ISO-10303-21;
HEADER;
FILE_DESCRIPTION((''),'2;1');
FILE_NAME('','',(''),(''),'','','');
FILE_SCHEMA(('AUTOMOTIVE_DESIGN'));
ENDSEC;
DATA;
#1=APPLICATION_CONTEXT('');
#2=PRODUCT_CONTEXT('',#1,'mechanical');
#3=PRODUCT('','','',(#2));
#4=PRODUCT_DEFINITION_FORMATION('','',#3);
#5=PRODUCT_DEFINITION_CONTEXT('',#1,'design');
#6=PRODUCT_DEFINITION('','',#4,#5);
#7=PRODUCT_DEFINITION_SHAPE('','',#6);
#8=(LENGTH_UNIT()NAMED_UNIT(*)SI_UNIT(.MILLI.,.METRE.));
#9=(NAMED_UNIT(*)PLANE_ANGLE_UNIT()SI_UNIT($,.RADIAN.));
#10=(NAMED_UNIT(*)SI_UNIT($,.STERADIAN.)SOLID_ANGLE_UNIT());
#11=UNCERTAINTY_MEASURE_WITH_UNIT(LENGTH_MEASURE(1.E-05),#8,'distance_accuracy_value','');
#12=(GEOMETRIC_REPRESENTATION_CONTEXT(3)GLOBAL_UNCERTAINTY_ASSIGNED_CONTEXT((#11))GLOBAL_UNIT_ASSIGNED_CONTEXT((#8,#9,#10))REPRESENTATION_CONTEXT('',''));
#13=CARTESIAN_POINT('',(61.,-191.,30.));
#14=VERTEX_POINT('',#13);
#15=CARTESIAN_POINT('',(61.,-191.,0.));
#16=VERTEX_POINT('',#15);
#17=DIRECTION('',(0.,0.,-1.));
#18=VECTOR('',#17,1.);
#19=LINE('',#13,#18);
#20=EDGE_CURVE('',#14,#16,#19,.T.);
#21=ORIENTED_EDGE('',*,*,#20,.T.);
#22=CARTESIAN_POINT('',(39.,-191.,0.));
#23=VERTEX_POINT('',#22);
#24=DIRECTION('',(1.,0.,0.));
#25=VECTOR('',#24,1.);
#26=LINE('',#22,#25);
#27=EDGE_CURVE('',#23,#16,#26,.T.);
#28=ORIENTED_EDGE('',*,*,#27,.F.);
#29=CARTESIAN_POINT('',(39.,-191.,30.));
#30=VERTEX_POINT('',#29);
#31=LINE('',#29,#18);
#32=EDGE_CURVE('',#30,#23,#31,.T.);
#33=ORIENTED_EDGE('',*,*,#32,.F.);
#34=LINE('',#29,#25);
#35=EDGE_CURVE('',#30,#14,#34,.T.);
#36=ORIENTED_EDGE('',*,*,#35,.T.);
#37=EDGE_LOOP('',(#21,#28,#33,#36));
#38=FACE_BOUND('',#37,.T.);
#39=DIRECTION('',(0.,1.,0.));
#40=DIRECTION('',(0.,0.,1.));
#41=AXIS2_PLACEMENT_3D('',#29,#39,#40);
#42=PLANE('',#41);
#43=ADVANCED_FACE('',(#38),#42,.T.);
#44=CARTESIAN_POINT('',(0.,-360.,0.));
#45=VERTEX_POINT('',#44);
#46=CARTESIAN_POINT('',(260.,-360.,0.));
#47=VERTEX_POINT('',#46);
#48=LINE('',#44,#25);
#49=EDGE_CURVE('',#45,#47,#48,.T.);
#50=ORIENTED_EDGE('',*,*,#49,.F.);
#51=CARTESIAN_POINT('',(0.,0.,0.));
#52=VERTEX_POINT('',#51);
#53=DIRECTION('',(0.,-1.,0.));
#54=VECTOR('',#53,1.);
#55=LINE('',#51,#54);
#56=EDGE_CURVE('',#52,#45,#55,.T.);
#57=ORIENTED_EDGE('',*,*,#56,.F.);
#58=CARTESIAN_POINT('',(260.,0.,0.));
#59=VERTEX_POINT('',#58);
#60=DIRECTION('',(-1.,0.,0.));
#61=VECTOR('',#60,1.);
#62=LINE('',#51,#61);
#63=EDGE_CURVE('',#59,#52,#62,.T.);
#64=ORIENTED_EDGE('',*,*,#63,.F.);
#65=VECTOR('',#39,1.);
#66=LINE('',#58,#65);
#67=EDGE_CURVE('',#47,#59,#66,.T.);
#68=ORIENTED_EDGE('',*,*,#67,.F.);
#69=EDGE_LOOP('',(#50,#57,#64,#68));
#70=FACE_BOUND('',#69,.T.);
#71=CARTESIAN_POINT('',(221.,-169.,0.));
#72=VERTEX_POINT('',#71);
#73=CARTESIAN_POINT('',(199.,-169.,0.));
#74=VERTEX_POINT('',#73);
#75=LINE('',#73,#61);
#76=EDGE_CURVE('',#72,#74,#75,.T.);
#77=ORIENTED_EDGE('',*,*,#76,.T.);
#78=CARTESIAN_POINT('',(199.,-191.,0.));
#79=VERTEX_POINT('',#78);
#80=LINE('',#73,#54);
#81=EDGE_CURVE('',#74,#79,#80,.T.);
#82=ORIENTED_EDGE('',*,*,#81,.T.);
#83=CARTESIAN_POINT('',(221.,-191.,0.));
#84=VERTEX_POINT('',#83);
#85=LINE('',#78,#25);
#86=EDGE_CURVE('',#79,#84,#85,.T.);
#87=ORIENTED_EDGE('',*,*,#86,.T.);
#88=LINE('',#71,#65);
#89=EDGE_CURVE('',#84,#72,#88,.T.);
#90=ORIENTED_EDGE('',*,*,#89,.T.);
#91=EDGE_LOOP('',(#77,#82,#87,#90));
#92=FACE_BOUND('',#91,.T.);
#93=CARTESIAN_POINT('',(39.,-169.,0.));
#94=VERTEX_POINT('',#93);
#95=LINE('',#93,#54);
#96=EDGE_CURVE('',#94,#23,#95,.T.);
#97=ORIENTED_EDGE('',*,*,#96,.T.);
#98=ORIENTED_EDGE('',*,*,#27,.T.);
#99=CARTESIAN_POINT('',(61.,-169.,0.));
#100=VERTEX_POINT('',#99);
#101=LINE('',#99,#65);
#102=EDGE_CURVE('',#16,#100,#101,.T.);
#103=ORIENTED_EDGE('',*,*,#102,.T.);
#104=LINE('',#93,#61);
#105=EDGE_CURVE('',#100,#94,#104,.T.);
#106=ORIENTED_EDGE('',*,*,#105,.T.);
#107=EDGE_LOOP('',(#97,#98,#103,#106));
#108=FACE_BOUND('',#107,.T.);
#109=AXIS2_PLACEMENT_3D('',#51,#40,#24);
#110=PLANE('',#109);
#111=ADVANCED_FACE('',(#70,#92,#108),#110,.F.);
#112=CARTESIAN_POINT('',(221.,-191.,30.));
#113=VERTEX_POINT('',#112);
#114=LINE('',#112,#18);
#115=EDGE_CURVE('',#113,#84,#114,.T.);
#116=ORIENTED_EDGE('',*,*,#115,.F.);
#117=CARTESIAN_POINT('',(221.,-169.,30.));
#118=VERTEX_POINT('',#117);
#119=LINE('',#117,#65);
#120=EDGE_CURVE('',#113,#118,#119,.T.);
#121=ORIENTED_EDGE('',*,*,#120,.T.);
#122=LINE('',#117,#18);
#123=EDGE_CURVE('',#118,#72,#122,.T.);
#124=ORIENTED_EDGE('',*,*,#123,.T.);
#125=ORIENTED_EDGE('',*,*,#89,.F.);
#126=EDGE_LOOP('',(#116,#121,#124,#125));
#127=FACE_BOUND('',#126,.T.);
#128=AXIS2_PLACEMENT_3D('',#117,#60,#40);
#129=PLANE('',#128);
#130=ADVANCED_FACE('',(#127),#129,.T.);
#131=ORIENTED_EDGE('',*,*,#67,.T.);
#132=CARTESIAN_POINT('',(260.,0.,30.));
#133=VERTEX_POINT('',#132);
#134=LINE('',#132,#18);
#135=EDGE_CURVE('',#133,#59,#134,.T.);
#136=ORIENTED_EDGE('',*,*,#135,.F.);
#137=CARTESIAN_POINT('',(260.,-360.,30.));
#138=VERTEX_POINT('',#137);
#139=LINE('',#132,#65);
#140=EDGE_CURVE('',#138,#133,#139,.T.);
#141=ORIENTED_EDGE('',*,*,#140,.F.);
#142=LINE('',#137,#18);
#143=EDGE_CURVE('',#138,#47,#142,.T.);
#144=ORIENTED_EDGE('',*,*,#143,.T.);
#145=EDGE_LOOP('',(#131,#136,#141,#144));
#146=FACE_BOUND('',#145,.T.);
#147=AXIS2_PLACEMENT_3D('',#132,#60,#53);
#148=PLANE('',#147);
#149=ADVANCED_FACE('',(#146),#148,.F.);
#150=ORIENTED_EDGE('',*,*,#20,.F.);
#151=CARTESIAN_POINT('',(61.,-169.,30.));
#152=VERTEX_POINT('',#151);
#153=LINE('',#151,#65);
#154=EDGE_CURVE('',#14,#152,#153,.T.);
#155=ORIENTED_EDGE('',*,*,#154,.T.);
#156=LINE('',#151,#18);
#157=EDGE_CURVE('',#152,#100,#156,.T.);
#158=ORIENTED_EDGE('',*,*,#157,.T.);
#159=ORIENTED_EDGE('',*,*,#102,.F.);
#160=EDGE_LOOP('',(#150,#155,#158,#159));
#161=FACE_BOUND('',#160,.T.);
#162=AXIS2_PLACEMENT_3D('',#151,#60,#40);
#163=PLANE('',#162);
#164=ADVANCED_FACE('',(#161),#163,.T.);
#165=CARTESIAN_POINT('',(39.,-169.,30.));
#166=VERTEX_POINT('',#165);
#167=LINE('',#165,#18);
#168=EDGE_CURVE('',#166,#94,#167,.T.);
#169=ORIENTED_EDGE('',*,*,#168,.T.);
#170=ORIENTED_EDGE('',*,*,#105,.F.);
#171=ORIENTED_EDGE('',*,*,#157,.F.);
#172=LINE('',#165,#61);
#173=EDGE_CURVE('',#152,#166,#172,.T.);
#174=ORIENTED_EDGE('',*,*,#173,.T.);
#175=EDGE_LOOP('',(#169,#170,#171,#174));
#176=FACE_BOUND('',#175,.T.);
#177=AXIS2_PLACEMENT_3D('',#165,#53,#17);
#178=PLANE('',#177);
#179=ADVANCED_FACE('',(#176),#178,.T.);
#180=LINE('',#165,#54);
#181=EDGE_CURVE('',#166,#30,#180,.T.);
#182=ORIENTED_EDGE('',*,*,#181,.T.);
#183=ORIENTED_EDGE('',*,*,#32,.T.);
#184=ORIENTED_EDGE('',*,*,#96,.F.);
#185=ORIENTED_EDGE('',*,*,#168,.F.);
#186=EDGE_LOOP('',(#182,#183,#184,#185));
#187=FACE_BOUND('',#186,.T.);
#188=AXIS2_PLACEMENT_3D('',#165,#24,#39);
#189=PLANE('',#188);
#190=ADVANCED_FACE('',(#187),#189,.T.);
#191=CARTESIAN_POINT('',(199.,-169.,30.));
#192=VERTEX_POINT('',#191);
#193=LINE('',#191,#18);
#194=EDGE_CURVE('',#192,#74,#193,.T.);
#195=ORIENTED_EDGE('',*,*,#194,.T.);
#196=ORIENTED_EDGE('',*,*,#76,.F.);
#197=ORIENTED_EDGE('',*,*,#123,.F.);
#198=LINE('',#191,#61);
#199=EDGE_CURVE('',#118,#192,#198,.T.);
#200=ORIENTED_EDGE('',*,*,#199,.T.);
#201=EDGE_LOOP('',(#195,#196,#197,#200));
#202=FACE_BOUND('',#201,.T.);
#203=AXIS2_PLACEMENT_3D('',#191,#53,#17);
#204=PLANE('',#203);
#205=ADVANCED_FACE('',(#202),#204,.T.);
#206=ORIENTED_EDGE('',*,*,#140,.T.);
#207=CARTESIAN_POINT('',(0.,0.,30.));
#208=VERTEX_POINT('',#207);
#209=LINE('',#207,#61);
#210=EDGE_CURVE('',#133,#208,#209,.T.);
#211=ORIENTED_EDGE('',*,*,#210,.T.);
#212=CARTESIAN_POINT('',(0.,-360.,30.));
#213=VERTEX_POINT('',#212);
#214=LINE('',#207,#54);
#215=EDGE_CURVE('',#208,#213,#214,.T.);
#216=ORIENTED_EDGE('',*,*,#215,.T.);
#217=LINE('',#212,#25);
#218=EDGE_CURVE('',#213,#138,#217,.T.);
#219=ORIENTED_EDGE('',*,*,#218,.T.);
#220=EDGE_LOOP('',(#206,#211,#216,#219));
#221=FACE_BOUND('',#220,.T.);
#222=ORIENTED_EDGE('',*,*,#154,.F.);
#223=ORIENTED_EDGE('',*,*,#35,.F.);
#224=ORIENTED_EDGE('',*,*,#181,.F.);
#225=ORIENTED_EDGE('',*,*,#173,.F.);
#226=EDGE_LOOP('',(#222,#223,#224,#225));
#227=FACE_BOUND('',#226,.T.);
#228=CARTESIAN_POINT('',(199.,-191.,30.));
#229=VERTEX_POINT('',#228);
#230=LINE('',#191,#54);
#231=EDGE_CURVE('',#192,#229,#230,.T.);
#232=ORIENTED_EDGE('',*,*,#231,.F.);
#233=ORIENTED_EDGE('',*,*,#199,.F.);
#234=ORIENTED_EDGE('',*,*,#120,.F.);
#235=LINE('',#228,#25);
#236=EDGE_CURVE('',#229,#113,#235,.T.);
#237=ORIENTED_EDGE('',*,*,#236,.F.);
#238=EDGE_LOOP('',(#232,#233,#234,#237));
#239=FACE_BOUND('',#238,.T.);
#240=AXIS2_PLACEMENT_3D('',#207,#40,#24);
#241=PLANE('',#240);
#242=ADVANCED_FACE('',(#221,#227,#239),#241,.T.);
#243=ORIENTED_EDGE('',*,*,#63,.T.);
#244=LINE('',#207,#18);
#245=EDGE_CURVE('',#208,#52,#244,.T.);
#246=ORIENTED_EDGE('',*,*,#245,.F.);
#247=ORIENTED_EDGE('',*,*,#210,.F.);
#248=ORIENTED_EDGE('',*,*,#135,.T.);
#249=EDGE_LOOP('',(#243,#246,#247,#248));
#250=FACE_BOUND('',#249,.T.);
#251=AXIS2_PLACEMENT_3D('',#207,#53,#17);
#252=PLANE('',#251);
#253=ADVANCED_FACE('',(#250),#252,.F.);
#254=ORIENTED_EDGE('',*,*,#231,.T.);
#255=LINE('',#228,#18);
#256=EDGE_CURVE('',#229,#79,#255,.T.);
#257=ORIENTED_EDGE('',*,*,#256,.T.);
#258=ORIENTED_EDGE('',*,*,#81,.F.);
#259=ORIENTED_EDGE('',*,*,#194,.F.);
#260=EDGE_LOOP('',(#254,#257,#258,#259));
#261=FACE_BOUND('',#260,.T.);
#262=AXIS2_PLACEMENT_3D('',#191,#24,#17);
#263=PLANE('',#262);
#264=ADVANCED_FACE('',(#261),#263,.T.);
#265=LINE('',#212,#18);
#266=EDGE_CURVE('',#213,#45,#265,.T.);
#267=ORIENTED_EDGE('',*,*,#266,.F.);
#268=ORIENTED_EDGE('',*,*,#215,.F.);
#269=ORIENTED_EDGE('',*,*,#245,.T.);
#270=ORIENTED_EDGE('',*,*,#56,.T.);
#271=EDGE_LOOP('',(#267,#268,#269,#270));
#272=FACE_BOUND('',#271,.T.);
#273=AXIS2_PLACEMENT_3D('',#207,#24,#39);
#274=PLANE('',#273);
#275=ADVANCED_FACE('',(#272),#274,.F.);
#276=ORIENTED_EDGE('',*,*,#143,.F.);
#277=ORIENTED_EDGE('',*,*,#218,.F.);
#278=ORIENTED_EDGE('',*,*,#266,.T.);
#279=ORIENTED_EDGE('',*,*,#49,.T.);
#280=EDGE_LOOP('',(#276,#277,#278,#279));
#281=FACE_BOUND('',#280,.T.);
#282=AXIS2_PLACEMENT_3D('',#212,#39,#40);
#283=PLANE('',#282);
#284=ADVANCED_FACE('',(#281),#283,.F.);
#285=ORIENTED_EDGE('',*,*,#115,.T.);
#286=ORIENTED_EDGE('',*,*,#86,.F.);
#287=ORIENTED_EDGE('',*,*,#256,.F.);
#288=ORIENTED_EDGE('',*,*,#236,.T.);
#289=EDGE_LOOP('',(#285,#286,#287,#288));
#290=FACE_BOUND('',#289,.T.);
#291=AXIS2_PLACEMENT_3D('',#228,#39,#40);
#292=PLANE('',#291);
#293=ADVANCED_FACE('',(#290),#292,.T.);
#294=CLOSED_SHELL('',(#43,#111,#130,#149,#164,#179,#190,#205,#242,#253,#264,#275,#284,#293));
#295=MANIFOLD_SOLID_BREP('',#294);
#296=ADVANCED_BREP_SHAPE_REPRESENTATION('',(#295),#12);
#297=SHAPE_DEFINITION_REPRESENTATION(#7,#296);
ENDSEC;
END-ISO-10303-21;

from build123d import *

# Parameters (mm, degrees)
IZIM1_W                     = 260
IZIM1_H                     = 360
IZIM1_W_2                   = 22
IZIM1_H_2                   = 22
Y_KSEKLIK_EKSTR_ZYON1_DEPTH = 30


with BuildPart() as part:
    # Çizim1 → Yükseklik-Ekstrüzyon1 (new body)
    with BuildSketch(Plane.XY):
        with Locations((130, -180)):
            Rectangle(IZIM1_W, IZIM1_H)
        with Locations((50, -180)):
            Rectangle(IZIM1_W_2, IZIM1_H_2, mode=Mode.SUBTRACT)
        with Locations((210, -180)):
            Rectangle(IZIM1_W_2, IZIM1_H_2, mode=Mode.SUBTRACT)
    extrude(amount=Y_KSEKLIK_EKSTR_ZYON1_DEPTH)


solid = part.part
